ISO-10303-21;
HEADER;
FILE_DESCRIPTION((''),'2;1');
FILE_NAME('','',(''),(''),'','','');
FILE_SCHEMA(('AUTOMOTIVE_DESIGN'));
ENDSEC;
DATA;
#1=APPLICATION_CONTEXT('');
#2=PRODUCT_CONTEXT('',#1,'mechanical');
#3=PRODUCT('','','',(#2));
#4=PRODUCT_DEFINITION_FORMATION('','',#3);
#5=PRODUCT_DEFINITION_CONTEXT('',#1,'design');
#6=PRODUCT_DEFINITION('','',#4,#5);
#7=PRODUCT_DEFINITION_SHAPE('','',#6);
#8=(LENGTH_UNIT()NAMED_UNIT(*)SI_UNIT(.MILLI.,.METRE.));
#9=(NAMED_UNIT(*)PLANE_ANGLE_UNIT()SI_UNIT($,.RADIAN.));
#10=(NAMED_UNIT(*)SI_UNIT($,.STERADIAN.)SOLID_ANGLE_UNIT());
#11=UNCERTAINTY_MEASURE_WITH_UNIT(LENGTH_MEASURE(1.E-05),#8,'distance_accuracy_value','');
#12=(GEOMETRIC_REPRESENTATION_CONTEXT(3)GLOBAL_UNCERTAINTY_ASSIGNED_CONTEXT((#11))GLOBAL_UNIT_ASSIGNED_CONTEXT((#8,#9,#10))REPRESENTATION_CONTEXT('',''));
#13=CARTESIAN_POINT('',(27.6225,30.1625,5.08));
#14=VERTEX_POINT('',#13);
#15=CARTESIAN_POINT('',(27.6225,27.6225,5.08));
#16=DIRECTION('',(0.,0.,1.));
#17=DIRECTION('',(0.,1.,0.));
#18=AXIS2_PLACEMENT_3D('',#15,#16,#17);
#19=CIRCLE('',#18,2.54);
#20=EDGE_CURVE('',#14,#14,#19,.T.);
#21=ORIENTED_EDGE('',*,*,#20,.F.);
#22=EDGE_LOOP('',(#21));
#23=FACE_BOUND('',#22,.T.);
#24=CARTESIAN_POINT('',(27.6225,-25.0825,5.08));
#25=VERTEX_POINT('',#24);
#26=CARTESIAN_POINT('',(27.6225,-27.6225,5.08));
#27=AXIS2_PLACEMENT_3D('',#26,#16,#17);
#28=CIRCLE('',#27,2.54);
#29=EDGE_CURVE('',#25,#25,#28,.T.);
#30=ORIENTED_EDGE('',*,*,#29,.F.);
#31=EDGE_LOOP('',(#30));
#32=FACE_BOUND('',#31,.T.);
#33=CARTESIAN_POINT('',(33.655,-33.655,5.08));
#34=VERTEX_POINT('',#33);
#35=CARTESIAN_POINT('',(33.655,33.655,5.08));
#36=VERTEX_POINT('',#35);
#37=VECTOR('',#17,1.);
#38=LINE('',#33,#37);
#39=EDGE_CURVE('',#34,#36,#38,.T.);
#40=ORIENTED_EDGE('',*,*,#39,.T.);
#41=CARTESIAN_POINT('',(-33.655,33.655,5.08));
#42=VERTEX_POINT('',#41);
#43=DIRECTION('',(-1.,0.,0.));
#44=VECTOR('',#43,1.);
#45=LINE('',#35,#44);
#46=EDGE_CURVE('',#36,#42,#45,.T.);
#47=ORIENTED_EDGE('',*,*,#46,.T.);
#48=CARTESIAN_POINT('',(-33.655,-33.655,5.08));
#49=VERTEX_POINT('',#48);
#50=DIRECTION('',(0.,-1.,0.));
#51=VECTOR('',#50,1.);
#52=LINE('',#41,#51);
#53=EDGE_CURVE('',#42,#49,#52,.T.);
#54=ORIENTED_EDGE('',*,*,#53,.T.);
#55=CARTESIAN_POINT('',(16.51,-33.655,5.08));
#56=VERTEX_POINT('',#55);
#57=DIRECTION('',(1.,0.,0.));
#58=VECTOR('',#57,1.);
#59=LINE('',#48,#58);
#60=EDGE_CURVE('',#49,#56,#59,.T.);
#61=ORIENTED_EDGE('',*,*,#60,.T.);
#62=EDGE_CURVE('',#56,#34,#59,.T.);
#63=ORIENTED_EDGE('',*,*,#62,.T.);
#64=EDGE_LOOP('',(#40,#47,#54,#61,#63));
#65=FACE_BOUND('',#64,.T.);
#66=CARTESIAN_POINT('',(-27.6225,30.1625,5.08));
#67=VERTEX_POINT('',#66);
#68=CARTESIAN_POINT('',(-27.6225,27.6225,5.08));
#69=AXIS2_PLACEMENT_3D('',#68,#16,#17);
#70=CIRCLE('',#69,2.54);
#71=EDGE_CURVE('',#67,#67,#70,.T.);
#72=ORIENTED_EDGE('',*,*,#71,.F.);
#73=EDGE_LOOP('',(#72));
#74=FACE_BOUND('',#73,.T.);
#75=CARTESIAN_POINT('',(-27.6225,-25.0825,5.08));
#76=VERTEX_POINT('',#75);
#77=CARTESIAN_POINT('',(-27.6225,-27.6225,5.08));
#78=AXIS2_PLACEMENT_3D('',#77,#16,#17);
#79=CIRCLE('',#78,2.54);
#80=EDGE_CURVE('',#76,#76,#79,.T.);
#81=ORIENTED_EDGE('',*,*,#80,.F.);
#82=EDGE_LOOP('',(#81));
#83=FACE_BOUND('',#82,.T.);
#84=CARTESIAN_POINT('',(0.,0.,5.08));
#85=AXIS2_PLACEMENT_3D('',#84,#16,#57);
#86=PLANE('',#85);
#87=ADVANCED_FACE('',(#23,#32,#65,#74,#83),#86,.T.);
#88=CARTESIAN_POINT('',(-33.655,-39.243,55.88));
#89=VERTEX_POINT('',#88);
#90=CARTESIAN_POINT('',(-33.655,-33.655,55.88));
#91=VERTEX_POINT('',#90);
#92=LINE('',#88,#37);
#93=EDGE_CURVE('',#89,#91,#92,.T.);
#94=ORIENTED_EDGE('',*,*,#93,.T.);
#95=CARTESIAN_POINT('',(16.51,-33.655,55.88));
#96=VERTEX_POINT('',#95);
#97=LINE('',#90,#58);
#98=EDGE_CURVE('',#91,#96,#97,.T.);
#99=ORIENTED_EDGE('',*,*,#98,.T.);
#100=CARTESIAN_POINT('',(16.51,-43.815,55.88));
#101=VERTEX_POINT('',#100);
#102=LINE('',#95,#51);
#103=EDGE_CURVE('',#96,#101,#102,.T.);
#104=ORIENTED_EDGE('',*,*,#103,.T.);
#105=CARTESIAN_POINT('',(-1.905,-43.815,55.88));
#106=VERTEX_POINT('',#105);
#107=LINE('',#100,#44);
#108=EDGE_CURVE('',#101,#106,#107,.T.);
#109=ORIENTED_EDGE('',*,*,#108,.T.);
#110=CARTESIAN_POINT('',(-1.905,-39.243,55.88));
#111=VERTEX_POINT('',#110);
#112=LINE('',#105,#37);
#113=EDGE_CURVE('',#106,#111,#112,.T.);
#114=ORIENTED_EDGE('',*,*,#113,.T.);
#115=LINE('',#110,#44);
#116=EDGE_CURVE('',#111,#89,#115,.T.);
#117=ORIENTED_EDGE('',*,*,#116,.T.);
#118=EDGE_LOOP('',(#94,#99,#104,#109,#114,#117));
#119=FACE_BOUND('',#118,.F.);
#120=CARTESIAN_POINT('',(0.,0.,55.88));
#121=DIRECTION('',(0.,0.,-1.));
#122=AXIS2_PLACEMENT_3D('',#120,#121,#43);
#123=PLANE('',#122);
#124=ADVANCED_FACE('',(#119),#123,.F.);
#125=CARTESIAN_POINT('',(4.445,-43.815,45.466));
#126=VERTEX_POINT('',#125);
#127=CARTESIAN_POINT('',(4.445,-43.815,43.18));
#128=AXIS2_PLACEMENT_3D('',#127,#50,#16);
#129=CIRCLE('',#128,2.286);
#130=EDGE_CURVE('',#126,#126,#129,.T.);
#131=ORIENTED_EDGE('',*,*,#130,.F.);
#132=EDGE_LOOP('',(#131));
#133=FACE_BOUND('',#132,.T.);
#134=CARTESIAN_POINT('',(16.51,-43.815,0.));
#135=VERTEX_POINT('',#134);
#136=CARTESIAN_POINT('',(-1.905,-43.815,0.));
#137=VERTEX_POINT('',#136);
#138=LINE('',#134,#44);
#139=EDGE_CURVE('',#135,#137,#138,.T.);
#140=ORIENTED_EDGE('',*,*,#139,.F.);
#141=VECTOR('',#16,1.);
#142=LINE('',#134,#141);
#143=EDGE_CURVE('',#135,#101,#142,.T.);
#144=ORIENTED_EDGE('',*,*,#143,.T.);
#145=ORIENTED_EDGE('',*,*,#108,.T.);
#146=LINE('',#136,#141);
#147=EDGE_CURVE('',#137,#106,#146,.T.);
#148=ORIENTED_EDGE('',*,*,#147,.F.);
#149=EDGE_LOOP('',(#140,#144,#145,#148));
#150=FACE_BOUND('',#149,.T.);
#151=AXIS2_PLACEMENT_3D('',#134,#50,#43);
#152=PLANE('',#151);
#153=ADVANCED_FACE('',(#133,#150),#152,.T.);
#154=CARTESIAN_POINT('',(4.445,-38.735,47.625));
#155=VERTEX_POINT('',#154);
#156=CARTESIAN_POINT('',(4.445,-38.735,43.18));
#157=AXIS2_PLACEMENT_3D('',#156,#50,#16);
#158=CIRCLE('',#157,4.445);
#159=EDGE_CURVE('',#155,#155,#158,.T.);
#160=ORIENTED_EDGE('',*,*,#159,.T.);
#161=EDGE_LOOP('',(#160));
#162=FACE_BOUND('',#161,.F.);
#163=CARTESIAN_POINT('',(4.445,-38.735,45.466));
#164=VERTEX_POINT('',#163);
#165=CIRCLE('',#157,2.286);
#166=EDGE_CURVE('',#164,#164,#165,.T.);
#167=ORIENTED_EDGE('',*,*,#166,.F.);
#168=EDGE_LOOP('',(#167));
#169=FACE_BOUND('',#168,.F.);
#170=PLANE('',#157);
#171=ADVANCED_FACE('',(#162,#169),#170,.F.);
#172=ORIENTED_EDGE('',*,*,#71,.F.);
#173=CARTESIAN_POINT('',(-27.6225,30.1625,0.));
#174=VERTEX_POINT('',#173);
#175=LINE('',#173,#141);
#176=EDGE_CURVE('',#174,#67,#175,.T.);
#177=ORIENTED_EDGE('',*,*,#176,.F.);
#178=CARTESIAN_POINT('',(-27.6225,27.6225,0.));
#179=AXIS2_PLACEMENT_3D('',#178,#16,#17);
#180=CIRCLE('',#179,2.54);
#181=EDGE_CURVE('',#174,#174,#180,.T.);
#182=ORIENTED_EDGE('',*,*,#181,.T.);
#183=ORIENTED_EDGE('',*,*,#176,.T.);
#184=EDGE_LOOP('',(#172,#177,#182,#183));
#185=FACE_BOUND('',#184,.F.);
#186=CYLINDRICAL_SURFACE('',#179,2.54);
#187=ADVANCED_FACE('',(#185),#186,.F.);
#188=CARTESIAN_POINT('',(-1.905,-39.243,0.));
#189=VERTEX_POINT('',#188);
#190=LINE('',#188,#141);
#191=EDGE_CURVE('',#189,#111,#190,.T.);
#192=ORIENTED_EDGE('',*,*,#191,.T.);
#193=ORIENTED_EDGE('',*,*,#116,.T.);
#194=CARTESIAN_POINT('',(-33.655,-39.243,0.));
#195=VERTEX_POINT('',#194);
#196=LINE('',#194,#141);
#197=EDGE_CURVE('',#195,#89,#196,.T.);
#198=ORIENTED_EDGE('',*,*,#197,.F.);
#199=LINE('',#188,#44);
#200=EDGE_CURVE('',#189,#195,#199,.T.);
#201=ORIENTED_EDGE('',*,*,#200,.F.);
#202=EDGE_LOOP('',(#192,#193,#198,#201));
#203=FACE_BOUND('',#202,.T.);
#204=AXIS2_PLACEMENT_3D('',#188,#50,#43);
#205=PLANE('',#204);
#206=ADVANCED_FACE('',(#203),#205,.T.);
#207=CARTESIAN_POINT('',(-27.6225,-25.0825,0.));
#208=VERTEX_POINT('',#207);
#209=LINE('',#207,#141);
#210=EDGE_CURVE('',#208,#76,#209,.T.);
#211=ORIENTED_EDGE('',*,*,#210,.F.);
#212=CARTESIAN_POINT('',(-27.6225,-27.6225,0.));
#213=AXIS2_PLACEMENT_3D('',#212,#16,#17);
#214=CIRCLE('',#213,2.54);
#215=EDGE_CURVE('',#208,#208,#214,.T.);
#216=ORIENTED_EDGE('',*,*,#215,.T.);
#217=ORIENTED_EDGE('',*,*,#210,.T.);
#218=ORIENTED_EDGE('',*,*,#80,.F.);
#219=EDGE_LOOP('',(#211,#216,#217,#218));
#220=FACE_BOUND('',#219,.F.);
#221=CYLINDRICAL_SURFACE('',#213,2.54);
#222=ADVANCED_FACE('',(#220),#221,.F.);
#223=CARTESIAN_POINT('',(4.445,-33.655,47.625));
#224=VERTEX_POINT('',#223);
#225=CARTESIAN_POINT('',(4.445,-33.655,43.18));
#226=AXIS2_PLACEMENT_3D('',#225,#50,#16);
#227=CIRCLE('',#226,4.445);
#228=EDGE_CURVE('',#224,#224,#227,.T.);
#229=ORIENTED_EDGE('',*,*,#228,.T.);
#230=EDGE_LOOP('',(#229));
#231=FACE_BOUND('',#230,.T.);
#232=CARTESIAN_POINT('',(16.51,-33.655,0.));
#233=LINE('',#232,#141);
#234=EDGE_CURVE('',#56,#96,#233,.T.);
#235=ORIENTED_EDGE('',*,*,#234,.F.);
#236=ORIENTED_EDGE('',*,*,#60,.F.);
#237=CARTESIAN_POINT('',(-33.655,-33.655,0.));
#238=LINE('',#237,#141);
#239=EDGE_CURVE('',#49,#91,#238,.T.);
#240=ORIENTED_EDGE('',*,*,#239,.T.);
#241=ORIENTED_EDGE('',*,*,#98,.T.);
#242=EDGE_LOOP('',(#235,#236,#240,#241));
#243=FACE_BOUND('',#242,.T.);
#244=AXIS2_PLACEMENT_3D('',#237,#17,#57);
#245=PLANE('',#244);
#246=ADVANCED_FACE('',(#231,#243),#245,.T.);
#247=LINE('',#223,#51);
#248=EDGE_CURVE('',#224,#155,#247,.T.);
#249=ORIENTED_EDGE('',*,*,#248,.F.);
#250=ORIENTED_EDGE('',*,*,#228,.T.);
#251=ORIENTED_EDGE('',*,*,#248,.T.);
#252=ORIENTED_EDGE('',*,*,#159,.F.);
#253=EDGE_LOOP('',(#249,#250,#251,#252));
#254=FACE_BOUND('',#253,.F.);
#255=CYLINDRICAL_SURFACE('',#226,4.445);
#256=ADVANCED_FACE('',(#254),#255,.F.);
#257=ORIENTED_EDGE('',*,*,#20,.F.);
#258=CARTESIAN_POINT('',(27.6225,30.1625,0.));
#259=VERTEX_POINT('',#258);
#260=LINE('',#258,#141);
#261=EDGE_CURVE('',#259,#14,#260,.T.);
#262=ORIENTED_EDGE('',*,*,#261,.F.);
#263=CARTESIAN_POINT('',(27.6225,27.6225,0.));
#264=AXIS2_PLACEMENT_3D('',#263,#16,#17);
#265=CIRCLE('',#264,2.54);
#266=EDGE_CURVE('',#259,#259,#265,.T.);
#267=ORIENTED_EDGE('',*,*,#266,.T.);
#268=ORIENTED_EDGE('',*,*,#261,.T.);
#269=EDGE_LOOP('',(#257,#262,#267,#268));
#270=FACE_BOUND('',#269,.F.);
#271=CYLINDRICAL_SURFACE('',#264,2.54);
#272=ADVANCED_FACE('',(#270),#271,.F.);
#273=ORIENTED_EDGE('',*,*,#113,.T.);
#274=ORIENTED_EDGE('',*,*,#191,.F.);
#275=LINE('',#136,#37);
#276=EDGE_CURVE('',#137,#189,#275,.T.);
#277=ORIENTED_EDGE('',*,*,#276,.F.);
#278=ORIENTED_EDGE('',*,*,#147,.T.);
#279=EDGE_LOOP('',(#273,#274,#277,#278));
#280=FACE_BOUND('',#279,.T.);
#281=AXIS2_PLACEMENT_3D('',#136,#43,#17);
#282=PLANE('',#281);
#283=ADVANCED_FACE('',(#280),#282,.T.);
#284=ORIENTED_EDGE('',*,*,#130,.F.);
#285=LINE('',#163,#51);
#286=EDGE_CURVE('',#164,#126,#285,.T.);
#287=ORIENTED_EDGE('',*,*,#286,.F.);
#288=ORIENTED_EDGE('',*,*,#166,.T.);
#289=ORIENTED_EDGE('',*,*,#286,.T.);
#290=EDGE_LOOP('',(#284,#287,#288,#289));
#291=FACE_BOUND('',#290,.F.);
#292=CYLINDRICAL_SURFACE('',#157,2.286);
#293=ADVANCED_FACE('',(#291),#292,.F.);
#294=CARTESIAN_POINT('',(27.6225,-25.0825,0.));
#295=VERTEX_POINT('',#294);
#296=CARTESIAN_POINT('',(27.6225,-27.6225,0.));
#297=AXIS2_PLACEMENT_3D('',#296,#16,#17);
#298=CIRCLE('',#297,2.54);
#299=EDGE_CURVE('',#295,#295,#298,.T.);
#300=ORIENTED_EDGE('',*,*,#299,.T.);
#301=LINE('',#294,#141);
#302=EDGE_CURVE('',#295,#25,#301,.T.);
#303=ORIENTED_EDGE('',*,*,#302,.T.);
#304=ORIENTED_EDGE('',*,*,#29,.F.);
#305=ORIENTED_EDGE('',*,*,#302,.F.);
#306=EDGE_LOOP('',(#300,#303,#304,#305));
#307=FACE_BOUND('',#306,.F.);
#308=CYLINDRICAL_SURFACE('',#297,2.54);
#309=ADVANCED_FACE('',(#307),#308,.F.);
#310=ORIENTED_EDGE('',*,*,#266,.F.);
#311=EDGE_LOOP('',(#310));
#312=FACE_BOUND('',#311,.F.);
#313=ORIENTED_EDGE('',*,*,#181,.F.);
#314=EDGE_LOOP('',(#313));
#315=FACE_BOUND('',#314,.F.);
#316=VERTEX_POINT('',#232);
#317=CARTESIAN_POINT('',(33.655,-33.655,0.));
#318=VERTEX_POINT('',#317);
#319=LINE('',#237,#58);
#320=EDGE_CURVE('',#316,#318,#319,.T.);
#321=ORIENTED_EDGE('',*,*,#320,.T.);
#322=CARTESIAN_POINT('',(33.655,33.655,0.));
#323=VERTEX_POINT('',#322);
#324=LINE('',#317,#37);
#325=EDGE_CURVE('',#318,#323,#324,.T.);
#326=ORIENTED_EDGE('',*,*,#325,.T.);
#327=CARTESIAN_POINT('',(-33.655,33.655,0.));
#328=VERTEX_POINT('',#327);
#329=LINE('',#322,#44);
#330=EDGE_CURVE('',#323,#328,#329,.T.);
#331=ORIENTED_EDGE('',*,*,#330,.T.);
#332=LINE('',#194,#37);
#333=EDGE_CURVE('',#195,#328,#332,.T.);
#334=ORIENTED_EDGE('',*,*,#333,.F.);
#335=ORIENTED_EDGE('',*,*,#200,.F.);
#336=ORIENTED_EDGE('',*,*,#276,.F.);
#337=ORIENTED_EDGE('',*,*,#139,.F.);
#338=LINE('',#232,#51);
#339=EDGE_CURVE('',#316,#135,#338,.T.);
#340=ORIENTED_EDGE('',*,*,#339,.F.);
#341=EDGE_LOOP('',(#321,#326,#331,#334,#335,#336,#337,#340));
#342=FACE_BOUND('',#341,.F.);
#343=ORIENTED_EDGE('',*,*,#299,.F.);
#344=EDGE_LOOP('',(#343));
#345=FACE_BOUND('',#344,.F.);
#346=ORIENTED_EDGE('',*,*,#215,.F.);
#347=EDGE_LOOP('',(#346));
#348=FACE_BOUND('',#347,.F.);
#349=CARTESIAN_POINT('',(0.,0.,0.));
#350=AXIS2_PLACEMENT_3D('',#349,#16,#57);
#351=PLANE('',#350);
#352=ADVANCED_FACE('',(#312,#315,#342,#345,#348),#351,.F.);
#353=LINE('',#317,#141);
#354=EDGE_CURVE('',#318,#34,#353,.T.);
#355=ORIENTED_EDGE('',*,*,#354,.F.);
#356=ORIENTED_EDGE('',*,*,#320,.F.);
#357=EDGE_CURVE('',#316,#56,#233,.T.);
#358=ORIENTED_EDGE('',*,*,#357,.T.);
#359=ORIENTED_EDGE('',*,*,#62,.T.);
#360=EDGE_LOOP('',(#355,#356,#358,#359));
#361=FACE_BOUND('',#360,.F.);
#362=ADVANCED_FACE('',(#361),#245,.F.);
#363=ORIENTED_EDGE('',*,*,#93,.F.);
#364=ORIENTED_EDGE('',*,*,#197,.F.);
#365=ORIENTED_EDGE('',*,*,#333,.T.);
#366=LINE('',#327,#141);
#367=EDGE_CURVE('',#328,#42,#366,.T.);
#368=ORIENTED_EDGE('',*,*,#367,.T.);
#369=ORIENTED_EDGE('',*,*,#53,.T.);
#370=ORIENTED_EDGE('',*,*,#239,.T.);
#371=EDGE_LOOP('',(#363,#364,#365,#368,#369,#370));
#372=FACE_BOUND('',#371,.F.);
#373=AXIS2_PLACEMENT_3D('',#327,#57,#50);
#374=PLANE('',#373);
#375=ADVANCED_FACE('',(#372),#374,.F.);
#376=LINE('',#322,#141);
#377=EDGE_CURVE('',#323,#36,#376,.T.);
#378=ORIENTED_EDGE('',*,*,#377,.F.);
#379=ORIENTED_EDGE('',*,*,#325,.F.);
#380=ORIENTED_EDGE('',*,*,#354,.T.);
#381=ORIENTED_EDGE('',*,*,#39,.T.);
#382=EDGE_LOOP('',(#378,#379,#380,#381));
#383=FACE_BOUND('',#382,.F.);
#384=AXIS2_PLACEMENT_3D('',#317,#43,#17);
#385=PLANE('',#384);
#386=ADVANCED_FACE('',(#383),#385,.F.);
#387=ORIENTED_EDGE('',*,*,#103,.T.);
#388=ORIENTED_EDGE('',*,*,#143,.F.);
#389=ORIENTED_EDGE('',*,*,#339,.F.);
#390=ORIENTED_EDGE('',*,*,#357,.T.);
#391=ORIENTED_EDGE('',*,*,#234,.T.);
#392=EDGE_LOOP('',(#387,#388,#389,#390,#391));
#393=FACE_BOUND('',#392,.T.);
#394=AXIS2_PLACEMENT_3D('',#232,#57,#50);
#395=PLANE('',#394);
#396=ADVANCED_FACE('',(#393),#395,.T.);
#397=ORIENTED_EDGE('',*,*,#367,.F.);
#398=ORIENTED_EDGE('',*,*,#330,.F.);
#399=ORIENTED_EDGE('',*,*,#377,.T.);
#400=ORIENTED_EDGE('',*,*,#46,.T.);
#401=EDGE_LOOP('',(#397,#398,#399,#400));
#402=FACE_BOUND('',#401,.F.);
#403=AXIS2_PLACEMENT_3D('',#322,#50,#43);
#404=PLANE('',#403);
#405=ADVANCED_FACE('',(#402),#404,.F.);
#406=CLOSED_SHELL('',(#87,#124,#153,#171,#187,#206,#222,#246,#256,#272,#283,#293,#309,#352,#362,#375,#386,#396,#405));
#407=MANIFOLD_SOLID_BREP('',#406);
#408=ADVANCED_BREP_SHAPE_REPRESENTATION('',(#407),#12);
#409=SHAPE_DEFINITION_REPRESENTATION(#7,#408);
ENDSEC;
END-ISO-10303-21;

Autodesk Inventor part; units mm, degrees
ref_plane "YZ Plane" through (0, 0, 0) normal (1, 0, 0) x (0, 1, 0)
ref_plane "XZ Plane" through (0, 0, 0) normal (0, 1, 0) x (-1, 0, 0)
ref_plane "XY Plane" through (0, 0, 0) normal (0, 0, 1) x (1, 0, 0)
sketch "Sketch1" plane through (0, 0, 0) normal (0, 0, 1) x (1, 0, 0)
  line L0 (33.655, 33.655) -> (-33.655, 33.655)
  line L1 (-33.655, 33.655) -> (-33.655, -33.655)
  line L2 (-33.655, -33.655) -> (33.655, -33.655)
  line L3 (33.655, -33.655) -> (33.655, 33.655)
  line L4 (33.655, 33.655) -> (-33.655, -33.655) construction
  line L5 (-33.655, 33.655) -> (33.655, -33.655) construction
  circle A0 centre (0, 0) radius 39.0641 construction
  point P0 (-27.6225, 27.6225)
  point P1 (27.6225, 27.6225)
  point P2 (27.6225, -27.6225)
  point P3 (-27.6225, -27.6225)
  dimension "d1" = 67.31
  dimension "d2" = 67.31
  dimension "d3" = 55.245
extrude "Extrusion1" add sketch "Sketch1" along normal blind 5.08
hole "Hole1" at (-27.6225, 27.6225, 0) at (27.6225, 27.6225, 0) at (27.6225, -27.6225, 0) at (-27.6225, -27.6225, 0) direction (0, 0, 1) diameter 5.08 end through all
sketch "Sketch2" plane through (0, 0, 0) normal (0, 0, -1) x (-1, 0, 0)
  line L0 (33.655, -33.655) -> (-33.655, -33.655) projected
  line L1 (-16.51, -33.655) -> (-16.51, -43.815)
  line L2 (-16.51, -43.815) -> (1.905, -43.815)
  line L3 (1.905, -43.815) -> (1.905, -33.655)
  line L4 (-33.655, -33.655) -> (-33.655, 33.655) projected
  line L5 (1.905, -33.655) -> (1.905, -39.243)
  line L6 (1.905, -39.243) -> (33.655, -39.243)
  line L7 (33.655, -39.243) -> (33.655, -33.655)
  line L8 (33.655, 33.655) -> (33.655, -33.655) projected
  line L9 (33.655, -43.815) -> (-33.655, -43.815) construction
  point P0 (0, 0)
  dimension "d14" = 17.145
  dimension "d16" = 10.16
  dimension "d17" = 4.572
  dimension "d18" = 31.75
extrude "Extrusion2" add sketch "Sketch2" against normal blind 55.88
sketch "Sketch3" plane through (-1.905, -33.655, 0) normal (0, -1, 0) x (1, 0, 0)
  line L0 (0, 0) -> (0, 55.88) projected
  line L1 (0, 55.88) -> (18.415, 55.88) projected
  point P0 (1.905, 0)
  point P1 (6.35, 43.18)
  dimension "d21" = 6.35
  dimension "d22" = 12.7
hole "Hole2" at (4.445, -33.655, 43.18) direction (0, -1, 0) diameter 4.572 end through all counterbore diameter 8.89 counterbore depth 5.08
properties part number "Battery Switch Mount"
